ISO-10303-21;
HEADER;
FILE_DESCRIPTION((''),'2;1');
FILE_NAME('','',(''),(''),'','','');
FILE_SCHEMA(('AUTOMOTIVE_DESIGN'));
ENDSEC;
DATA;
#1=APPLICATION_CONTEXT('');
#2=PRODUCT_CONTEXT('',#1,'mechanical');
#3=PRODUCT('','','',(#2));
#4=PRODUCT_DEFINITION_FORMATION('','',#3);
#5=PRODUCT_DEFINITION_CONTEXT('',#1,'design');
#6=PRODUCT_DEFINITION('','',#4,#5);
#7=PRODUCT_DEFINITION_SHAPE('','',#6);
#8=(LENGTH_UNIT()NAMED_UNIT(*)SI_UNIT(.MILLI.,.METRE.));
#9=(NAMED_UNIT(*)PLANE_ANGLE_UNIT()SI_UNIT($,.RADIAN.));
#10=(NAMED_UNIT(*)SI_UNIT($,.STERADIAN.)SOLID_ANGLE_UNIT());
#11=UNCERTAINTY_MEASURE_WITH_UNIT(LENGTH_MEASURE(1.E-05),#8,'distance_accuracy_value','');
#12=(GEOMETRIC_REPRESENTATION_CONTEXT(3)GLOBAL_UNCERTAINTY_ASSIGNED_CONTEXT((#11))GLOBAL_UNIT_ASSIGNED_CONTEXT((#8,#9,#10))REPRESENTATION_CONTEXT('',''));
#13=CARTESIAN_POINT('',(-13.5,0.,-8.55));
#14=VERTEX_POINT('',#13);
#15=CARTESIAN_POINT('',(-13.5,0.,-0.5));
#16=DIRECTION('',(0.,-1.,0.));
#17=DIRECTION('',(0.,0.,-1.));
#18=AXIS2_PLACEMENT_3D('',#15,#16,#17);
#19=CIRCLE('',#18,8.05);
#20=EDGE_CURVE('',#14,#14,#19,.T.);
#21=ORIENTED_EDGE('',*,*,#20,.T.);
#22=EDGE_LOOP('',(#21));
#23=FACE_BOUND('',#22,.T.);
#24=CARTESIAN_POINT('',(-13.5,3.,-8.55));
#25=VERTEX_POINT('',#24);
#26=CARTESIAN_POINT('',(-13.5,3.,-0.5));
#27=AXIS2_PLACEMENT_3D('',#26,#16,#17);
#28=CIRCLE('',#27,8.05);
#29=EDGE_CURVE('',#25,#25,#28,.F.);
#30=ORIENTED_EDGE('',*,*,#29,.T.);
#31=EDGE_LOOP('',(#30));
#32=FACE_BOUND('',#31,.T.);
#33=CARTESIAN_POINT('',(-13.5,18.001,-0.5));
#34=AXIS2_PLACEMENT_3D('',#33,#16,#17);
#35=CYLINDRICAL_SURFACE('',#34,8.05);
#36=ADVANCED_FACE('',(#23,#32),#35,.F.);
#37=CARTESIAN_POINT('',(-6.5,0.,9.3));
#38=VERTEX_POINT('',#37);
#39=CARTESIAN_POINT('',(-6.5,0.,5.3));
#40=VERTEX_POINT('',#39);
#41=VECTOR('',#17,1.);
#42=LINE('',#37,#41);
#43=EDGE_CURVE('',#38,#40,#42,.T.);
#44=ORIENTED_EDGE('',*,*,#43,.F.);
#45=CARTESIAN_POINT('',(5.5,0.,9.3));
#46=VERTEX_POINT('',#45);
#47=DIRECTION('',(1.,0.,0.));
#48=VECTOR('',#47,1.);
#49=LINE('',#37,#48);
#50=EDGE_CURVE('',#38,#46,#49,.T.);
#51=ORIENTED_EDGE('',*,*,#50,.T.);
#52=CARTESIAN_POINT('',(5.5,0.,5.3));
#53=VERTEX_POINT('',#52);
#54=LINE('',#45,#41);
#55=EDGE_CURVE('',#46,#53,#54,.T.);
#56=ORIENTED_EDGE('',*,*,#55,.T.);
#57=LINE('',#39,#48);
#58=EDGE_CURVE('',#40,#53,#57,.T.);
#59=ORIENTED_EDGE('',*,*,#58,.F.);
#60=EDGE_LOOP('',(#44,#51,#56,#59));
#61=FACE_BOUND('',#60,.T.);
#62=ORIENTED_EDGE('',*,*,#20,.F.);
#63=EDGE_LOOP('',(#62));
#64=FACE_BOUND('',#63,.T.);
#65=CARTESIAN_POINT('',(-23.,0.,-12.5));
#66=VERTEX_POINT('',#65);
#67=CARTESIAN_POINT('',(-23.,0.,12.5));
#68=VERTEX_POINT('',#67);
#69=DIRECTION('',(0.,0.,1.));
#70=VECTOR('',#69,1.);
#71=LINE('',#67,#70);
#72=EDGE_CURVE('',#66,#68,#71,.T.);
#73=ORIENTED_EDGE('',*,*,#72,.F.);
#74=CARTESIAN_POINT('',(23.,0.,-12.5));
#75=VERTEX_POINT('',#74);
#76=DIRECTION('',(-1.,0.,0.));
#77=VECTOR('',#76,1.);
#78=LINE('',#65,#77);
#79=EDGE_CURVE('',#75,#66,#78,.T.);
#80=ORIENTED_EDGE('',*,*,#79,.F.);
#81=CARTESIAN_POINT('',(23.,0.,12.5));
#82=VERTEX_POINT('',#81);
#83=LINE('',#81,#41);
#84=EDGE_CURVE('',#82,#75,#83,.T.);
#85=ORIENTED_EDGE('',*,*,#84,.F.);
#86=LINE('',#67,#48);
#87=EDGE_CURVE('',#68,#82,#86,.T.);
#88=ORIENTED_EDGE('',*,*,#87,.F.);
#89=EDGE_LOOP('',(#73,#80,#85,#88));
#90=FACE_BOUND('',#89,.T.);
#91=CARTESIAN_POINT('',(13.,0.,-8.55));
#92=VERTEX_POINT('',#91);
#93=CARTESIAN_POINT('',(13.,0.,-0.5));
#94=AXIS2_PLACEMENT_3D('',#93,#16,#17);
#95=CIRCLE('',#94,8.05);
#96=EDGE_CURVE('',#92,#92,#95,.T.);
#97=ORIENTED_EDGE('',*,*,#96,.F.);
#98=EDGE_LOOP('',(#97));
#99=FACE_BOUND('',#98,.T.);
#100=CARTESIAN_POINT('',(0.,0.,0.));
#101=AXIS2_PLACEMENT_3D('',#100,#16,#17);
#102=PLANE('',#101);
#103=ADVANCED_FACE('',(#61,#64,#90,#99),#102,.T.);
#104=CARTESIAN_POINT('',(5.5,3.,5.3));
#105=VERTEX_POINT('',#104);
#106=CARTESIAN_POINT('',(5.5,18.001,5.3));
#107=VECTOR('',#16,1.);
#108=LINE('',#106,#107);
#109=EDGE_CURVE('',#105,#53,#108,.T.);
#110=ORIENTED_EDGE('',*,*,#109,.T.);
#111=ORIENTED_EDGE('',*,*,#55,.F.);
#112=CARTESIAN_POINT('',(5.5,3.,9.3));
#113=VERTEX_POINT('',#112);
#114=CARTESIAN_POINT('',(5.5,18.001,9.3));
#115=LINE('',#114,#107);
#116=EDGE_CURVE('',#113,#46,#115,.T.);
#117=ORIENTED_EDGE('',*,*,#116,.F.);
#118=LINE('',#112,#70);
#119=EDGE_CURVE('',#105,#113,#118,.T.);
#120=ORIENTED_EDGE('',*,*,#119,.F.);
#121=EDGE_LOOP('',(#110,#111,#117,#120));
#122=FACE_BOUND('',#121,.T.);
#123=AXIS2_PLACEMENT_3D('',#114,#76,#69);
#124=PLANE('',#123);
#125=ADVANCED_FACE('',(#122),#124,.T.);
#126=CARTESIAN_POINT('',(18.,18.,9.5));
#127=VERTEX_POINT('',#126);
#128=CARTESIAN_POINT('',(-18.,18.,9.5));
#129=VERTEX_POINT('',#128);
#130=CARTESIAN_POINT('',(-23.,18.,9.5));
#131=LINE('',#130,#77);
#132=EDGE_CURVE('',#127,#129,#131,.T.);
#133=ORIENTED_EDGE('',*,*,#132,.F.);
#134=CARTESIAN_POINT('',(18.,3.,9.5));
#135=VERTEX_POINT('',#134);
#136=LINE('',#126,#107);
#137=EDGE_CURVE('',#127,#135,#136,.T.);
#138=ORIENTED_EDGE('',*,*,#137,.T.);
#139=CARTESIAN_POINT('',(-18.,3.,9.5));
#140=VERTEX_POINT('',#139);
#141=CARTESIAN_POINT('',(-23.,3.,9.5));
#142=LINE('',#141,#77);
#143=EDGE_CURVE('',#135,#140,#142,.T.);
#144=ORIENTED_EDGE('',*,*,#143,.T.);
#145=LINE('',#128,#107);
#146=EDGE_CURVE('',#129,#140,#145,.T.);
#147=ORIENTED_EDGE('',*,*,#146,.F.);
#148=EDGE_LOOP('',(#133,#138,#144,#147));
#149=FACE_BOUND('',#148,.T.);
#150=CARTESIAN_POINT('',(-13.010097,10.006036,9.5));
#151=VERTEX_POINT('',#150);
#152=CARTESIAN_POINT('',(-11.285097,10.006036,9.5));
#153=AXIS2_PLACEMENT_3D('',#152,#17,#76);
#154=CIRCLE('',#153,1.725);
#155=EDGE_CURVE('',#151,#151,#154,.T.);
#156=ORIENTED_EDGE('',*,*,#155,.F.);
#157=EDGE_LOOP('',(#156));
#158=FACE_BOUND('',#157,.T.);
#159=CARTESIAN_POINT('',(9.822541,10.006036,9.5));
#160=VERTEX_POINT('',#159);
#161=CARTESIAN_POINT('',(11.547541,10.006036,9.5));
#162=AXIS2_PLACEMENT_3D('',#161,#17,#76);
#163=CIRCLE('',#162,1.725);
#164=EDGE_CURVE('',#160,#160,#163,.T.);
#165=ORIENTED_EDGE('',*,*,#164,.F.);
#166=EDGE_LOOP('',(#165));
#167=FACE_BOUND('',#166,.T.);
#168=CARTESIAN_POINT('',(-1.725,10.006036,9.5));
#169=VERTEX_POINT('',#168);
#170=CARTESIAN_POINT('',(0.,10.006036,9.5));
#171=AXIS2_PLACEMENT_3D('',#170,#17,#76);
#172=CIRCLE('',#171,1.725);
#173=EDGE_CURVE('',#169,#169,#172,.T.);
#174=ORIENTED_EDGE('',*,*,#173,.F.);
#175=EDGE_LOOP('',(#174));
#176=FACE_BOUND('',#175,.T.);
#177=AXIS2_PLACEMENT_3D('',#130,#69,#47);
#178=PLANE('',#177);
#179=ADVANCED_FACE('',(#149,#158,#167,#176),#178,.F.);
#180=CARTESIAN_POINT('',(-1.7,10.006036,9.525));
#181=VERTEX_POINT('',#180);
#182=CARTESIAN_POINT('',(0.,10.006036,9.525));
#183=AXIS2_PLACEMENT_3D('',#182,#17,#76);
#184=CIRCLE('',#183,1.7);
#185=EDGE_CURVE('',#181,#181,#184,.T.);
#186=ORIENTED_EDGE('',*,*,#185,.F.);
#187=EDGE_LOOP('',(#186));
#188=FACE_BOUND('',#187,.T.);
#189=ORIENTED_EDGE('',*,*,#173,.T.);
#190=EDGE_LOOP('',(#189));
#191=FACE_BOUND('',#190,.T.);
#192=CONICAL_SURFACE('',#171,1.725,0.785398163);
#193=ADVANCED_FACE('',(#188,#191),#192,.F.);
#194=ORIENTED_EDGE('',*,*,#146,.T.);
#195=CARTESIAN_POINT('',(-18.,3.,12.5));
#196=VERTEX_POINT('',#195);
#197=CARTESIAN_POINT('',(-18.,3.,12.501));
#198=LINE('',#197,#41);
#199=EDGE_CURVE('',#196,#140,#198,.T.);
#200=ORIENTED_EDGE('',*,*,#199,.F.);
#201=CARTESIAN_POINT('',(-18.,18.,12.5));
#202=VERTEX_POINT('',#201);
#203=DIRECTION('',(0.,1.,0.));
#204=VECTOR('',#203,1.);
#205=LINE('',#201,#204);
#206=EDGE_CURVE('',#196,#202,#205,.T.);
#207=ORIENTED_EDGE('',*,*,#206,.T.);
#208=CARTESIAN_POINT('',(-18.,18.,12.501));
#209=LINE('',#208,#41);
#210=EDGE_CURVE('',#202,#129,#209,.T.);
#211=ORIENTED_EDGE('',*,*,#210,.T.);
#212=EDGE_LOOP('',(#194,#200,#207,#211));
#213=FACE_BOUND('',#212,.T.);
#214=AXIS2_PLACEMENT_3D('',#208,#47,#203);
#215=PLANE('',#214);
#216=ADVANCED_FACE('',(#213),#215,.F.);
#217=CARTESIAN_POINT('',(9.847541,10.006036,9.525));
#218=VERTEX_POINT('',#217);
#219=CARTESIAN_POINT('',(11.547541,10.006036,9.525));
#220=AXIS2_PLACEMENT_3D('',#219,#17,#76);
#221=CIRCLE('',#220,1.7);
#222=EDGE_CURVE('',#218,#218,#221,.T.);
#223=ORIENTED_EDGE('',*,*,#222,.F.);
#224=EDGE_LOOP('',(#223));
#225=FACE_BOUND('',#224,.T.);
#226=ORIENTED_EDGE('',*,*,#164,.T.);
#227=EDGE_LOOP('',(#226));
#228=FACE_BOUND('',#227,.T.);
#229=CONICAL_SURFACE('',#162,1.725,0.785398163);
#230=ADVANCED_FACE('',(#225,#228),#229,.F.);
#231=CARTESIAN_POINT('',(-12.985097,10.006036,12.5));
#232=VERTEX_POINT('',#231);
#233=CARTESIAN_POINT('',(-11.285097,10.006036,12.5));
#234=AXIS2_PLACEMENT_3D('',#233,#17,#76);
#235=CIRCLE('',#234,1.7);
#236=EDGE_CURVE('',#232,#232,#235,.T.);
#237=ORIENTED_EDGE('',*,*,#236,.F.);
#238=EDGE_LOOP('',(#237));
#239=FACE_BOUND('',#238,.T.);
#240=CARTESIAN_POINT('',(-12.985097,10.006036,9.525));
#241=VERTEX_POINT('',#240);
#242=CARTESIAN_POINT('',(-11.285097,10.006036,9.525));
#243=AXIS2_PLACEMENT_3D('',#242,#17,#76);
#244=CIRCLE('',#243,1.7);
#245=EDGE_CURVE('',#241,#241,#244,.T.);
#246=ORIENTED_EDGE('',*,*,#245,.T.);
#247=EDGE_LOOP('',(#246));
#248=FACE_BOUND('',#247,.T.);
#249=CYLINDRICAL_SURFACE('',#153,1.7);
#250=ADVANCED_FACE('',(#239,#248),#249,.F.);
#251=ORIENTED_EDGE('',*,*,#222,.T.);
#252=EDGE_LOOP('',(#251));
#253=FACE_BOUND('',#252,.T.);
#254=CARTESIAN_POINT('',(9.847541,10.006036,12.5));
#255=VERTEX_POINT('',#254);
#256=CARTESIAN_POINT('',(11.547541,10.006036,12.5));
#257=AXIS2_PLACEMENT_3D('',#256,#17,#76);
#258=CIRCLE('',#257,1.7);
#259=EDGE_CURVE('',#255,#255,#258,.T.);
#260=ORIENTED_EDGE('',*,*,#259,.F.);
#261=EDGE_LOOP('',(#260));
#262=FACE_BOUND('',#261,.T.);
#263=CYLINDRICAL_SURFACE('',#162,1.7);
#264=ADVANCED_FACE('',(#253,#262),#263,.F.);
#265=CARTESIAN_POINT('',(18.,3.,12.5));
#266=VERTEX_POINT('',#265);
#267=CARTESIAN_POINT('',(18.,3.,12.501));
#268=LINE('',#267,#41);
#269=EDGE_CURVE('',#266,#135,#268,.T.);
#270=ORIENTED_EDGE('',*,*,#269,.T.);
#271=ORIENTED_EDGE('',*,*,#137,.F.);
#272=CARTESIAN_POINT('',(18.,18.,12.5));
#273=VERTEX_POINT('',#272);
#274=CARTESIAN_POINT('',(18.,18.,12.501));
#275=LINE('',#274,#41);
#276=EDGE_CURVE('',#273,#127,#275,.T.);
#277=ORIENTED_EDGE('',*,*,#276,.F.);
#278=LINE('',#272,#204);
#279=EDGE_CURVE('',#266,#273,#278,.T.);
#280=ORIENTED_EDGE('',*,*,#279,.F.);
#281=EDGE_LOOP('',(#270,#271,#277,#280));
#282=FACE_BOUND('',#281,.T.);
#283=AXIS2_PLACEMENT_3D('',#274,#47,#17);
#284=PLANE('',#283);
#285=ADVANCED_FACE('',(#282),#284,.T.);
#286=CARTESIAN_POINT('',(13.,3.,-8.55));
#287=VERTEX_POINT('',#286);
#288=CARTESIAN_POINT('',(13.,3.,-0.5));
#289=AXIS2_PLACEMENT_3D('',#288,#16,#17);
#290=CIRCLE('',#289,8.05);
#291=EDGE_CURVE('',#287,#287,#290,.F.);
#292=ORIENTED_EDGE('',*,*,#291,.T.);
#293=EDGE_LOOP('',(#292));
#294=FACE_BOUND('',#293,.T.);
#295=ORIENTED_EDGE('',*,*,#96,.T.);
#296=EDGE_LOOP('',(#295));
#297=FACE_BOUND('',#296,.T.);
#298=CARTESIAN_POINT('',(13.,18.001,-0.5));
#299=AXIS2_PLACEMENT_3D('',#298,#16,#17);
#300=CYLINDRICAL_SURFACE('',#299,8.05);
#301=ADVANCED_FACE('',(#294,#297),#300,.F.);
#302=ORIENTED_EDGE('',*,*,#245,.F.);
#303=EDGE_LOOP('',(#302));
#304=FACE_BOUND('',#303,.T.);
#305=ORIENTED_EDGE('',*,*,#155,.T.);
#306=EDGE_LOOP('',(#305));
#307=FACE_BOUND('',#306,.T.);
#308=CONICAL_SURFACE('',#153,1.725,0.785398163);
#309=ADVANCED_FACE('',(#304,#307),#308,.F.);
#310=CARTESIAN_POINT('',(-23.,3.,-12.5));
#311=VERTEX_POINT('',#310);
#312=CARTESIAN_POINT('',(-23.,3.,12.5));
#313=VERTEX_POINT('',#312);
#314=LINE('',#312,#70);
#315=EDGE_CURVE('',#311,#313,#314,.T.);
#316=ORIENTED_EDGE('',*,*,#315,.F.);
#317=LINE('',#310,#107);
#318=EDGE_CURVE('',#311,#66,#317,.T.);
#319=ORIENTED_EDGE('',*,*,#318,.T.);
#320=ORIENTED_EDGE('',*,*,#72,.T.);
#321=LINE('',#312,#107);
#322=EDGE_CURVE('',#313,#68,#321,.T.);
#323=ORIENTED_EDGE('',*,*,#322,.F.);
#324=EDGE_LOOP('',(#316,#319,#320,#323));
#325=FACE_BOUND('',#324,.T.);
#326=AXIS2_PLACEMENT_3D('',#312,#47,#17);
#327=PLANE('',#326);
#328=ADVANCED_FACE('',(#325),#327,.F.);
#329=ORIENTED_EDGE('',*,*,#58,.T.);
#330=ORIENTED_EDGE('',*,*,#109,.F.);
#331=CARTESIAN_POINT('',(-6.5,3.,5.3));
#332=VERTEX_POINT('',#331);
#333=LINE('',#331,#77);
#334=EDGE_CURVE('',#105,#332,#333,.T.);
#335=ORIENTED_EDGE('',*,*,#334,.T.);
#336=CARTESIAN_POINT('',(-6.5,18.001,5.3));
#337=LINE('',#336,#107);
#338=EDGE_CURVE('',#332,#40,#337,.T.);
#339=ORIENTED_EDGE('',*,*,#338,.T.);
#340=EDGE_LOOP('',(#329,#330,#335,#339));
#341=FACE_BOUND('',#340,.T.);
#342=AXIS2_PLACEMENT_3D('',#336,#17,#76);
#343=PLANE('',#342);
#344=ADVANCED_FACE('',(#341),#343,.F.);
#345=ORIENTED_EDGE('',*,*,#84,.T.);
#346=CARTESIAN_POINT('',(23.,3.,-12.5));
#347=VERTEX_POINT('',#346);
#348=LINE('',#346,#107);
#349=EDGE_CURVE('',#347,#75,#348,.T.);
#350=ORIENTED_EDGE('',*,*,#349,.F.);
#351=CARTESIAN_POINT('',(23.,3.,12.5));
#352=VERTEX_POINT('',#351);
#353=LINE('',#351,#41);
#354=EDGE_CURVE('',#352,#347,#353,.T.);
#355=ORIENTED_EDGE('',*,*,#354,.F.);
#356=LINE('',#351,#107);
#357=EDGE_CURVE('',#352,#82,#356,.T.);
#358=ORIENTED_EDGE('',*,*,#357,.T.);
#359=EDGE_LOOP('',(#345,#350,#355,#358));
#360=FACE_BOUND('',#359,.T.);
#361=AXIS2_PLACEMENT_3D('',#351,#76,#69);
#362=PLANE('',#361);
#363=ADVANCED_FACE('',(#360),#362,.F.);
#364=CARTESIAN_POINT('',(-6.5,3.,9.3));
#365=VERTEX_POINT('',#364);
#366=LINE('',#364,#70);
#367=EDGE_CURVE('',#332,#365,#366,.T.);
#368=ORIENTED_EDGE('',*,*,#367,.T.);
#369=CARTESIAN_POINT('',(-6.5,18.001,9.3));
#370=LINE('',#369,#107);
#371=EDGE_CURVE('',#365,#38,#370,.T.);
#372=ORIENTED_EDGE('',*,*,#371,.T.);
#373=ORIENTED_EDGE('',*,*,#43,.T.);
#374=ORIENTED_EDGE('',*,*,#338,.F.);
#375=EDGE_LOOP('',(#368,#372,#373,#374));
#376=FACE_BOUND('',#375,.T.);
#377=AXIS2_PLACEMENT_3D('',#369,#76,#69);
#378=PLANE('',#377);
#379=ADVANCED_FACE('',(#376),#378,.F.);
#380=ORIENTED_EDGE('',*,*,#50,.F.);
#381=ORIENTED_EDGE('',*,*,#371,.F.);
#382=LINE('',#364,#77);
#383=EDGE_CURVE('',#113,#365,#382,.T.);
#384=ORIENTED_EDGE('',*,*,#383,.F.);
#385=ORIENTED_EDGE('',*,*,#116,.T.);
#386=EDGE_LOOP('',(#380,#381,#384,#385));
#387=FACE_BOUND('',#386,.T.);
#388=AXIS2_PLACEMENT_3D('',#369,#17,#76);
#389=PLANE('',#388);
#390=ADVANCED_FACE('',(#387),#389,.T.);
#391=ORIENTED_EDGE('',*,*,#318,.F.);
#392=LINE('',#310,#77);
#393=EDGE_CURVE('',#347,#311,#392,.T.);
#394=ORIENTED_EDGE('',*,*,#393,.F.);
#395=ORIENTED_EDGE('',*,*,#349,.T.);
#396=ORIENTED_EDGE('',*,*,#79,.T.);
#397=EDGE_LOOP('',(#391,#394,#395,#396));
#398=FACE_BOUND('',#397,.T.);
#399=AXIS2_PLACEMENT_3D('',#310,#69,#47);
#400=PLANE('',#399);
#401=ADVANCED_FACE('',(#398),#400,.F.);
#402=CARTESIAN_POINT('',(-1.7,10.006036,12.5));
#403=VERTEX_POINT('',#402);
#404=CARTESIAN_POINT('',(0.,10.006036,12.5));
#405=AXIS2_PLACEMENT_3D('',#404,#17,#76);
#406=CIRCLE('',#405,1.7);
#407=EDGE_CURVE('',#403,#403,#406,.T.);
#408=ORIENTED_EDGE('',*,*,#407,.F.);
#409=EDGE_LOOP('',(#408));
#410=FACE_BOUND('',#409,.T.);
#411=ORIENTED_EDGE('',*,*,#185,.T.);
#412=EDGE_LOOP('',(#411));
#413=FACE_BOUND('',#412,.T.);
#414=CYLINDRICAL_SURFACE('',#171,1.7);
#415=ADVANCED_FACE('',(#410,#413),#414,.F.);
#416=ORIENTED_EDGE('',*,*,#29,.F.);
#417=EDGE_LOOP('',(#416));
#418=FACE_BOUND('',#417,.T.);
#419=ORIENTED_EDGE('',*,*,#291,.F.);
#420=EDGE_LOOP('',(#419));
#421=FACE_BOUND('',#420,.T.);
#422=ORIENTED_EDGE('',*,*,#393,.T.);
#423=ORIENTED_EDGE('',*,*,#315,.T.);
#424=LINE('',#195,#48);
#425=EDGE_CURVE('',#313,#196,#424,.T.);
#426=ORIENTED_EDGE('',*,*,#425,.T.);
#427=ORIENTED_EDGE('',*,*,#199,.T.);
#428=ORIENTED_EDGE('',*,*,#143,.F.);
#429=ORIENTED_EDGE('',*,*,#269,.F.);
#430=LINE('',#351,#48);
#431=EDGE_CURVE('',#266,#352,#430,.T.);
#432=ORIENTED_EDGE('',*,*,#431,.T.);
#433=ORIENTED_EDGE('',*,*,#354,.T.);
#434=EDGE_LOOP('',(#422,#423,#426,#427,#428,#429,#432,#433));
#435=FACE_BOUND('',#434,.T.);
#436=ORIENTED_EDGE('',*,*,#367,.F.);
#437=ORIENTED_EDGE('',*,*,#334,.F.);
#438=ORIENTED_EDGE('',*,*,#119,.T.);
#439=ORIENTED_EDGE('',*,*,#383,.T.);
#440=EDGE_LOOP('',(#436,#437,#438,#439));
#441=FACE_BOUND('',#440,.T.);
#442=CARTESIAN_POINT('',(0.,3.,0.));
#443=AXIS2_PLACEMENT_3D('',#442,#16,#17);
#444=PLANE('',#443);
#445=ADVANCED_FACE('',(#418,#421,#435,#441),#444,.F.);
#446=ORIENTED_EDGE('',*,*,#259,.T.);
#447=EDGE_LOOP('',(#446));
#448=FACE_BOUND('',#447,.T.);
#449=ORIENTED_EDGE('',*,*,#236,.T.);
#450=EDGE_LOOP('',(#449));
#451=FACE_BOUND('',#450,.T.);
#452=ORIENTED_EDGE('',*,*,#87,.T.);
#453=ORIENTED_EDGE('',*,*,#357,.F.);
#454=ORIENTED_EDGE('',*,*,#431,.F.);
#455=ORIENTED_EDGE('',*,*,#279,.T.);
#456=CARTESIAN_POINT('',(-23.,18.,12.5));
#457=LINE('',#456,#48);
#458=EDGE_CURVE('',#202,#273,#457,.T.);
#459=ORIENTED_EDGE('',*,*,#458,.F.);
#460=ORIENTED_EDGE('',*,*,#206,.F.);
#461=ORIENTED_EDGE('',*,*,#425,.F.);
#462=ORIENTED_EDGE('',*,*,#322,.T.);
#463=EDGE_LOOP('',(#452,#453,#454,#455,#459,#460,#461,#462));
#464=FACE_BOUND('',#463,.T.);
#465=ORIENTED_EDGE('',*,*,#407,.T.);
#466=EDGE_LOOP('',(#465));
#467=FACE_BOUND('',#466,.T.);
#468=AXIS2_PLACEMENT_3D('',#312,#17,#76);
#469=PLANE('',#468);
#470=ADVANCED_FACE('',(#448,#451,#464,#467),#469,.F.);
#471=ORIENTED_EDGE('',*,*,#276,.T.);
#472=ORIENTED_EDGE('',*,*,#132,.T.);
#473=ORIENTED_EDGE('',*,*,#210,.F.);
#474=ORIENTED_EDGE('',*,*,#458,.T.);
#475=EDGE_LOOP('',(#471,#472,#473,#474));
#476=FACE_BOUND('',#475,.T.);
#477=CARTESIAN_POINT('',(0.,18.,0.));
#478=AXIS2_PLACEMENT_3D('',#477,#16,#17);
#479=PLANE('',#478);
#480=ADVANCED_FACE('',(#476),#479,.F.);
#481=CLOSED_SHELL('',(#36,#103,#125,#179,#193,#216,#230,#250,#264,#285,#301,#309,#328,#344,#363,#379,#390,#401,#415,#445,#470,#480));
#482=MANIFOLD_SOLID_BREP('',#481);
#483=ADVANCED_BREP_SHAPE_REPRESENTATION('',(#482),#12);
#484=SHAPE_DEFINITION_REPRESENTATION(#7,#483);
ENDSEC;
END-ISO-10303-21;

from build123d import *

# Parameters (mm, degrees)
SKIZZE1_W                            = 46
SKIZZE1_H                            = 25
AUFSATZ_LINEAR_AUSTRAGEN1_DEPTH      = 3
SKIZZE3_W                            = 46
SKIZZE3_H                            = 3
AUFSATZ_LINEAR_AUSTRAGEN2_DEPTH      = 15
SCHNITT_LINEAR_AUSTRAGEN1_REACH      = 38.565
SKIZZE7_W                            = 5
SKIZZE7_H                            = 15
F_3_4_3_4_DIAMETER_HOLE2_D           = 3.4
F_3_4_3_4_DIAMETER_HOLE2_CSINK_D     = 3.45
F_3_4_3_4_DIAMETER_HOLE2_CSINK_ANGLE = 90
SCHNITT_LINEAR_AUSTRAGEN2_REACH      = 33.769
SKIZZE12_R                           = 8.05
SKIZZE12_W                           = 12
SKIZZE12_H                           = 4


with BuildPart() as part:
    # Skizze1 → Aufsatz-Linear austragen1 (new body)
    with BuildSketch(Plane(origin=(0, 0, 0), x_dir=(1, 0, 0), z_dir=(0, 1, 0))):
        Rectangle(SKIZZE1_W, SKIZZE1_H)
    extrude(amount=AUFSATZ_LINEAR_AUSTRAGEN1_DEPTH)

    # Skizze3 → Aufsatz-Linear austragen2 (add)
    with BuildSketch(Plane(origin=(0, 3, 0), x_dir=(1, 0, 0), z_dir=(0, 1, 0))):
        with Locations((0, -11)):
            Rectangle(SKIZZE3_W, SKIZZE3_H)
    extrude(amount=AUFSATZ_LINEAR_AUSTRAGEN2_DEPTH)

    # Skizze7 → Schnitt-Linear austragen1 (cut, up to next)
    with BuildSketch(Plane(origin=(0, 0, 9.5), x_dir=(-1, 0, 0), z_dir=(0, 0, -1)), mode=Mode.PRIVATE) as schnitt_linear_austragen1_sk1:
        with Locations((-20.5, 10.5)):
            Rectangle(SKIZZE7_W, SKIZZE7_H)
    schnitt_linear_austragen1_tool1 = extrude(schnitt_linear_austragen1_sk1.sketch, amount=-SCHNITT_LINEAR_AUSTRAGEN1_REACH, mode=Mode.PRIVATE) & part.part
    # Skizze7 → Schnitt-Linear austragen1 (cut, up to next)
    with BuildSketch(Plane(origin=(0, 0, 9.5), x_dir=(-1, 0, 0), z_dir=(0, 0, -1)), mode=Mode.PRIVATE) as schnitt_linear_austragen1_sk2:
        with Locations((20.5, 10.5)):
            Rectangle(SKIZZE7_W, SKIZZE7_H)
    schnitt_linear_austragen1_tool2 = extrude(schnitt_linear_austragen1_sk2.sketch, amount=-SCHNITT_LINEAR_AUSTRAGEN1_REACH, mode=Mode.PRIVATE) & part.part
    add(schnitt_linear_austragen1_tool1.solids().sort_by_distance((20.5, 10.5, 9.5))[0], mode=Mode.SUBTRACT)
    add(schnitt_linear_austragen1_tool2.solids().sort_by_distance((-20.5, 10.5, 9.5))[0], mode=Mode.SUBTRACT)

    # Ø3.4 (3.4) Diameter Hole2 (through all)
    with Locations(Plane(origin=(0, 0, 9.5), x_dir=(-1, 0, 0), z_dir=(0, 0, -1))):
        with Locations((-11.547540619, 10.006035736), (0, 10.006035736), (11.285096514, 10.006035736)):
            CounterSinkHole(F_3_4_3_4_DIAMETER_HOLE2_D / 2, F_3_4_3_4_DIAMETER_HOLE2_CSINK_D / 2, counter_sink_angle=F_3_4_3_4_DIAMETER_HOLE2_CSINK_ANGLE)

    # Skizze12 → Schnitt-Linear austragen2 (cut, up to next)
    with BuildSketch(Plane.XZ, mode=Mode.PRIVATE) as schnitt_linear_austragen2_sk1:
        with Locations(Location((-13.5, -0.5, 0), (0, 0, 270))):
            Circle(SKIZZE12_R)
    schnitt_linear_austragen2_tool1 = extrude(schnitt_linear_austragen2_sk1.sketch, amount=-SCHNITT_LINEAR_AUSTRAGEN2_REACH, mode=Mode.PRIVATE) & part.part
    # Skizze12 → Schnitt-Linear austragen2 (cut, up to next)
    with BuildSketch(Plane.XZ, mode=Mode.PRIVATE) as schnitt_linear_austragen2_sk2:
        with Locations(Location((13, -0.5, 0), (0, 0, 270))):
            Circle(SKIZZE12_R)
    schnitt_linear_austragen2_tool2 = extrude(schnitt_linear_austragen2_sk2.sketch, amount=-SCHNITT_LINEAR_AUSTRAGEN2_REACH, mode=Mode.PRIVATE) & part.part
    # Skizze12 → Schnitt-Linear austragen2 (cut, up to next)
    with BuildSketch(Plane.XZ, mode=Mode.PRIVATE) as schnitt_linear_austragen2_sk3:
        with Locations((-0.5, 7.3)):
            Rectangle(SKIZZE12_W, SKIZZE12_H)
    schnitt_linear_austragen2_tool3 = extrude(schnitt_linear_austragen2_sk3.sketch, amount=-SCHNITT_LINEAR_AUSTRAGEN2_REACH, mode=Mode.PRIVATE) & part.part
    add(schnitt_linear_austragen2_tool1.solids().sort_by_distance((-13.5, 0, -0.5))[0], mode=Mode.SUBTRACT)
    add(schnitt_linear_austragen2_tool2.solids().sort_by_distance((13, 0, -0.5))[0], mode=Mode.SUBTRACT)
    add(schnitt_linear_austragen2_tool3.solids().sort_by_distance((-0.5, 0, 7.3))[0], mode=Mode.SUBTRACT)


solid = part.part
